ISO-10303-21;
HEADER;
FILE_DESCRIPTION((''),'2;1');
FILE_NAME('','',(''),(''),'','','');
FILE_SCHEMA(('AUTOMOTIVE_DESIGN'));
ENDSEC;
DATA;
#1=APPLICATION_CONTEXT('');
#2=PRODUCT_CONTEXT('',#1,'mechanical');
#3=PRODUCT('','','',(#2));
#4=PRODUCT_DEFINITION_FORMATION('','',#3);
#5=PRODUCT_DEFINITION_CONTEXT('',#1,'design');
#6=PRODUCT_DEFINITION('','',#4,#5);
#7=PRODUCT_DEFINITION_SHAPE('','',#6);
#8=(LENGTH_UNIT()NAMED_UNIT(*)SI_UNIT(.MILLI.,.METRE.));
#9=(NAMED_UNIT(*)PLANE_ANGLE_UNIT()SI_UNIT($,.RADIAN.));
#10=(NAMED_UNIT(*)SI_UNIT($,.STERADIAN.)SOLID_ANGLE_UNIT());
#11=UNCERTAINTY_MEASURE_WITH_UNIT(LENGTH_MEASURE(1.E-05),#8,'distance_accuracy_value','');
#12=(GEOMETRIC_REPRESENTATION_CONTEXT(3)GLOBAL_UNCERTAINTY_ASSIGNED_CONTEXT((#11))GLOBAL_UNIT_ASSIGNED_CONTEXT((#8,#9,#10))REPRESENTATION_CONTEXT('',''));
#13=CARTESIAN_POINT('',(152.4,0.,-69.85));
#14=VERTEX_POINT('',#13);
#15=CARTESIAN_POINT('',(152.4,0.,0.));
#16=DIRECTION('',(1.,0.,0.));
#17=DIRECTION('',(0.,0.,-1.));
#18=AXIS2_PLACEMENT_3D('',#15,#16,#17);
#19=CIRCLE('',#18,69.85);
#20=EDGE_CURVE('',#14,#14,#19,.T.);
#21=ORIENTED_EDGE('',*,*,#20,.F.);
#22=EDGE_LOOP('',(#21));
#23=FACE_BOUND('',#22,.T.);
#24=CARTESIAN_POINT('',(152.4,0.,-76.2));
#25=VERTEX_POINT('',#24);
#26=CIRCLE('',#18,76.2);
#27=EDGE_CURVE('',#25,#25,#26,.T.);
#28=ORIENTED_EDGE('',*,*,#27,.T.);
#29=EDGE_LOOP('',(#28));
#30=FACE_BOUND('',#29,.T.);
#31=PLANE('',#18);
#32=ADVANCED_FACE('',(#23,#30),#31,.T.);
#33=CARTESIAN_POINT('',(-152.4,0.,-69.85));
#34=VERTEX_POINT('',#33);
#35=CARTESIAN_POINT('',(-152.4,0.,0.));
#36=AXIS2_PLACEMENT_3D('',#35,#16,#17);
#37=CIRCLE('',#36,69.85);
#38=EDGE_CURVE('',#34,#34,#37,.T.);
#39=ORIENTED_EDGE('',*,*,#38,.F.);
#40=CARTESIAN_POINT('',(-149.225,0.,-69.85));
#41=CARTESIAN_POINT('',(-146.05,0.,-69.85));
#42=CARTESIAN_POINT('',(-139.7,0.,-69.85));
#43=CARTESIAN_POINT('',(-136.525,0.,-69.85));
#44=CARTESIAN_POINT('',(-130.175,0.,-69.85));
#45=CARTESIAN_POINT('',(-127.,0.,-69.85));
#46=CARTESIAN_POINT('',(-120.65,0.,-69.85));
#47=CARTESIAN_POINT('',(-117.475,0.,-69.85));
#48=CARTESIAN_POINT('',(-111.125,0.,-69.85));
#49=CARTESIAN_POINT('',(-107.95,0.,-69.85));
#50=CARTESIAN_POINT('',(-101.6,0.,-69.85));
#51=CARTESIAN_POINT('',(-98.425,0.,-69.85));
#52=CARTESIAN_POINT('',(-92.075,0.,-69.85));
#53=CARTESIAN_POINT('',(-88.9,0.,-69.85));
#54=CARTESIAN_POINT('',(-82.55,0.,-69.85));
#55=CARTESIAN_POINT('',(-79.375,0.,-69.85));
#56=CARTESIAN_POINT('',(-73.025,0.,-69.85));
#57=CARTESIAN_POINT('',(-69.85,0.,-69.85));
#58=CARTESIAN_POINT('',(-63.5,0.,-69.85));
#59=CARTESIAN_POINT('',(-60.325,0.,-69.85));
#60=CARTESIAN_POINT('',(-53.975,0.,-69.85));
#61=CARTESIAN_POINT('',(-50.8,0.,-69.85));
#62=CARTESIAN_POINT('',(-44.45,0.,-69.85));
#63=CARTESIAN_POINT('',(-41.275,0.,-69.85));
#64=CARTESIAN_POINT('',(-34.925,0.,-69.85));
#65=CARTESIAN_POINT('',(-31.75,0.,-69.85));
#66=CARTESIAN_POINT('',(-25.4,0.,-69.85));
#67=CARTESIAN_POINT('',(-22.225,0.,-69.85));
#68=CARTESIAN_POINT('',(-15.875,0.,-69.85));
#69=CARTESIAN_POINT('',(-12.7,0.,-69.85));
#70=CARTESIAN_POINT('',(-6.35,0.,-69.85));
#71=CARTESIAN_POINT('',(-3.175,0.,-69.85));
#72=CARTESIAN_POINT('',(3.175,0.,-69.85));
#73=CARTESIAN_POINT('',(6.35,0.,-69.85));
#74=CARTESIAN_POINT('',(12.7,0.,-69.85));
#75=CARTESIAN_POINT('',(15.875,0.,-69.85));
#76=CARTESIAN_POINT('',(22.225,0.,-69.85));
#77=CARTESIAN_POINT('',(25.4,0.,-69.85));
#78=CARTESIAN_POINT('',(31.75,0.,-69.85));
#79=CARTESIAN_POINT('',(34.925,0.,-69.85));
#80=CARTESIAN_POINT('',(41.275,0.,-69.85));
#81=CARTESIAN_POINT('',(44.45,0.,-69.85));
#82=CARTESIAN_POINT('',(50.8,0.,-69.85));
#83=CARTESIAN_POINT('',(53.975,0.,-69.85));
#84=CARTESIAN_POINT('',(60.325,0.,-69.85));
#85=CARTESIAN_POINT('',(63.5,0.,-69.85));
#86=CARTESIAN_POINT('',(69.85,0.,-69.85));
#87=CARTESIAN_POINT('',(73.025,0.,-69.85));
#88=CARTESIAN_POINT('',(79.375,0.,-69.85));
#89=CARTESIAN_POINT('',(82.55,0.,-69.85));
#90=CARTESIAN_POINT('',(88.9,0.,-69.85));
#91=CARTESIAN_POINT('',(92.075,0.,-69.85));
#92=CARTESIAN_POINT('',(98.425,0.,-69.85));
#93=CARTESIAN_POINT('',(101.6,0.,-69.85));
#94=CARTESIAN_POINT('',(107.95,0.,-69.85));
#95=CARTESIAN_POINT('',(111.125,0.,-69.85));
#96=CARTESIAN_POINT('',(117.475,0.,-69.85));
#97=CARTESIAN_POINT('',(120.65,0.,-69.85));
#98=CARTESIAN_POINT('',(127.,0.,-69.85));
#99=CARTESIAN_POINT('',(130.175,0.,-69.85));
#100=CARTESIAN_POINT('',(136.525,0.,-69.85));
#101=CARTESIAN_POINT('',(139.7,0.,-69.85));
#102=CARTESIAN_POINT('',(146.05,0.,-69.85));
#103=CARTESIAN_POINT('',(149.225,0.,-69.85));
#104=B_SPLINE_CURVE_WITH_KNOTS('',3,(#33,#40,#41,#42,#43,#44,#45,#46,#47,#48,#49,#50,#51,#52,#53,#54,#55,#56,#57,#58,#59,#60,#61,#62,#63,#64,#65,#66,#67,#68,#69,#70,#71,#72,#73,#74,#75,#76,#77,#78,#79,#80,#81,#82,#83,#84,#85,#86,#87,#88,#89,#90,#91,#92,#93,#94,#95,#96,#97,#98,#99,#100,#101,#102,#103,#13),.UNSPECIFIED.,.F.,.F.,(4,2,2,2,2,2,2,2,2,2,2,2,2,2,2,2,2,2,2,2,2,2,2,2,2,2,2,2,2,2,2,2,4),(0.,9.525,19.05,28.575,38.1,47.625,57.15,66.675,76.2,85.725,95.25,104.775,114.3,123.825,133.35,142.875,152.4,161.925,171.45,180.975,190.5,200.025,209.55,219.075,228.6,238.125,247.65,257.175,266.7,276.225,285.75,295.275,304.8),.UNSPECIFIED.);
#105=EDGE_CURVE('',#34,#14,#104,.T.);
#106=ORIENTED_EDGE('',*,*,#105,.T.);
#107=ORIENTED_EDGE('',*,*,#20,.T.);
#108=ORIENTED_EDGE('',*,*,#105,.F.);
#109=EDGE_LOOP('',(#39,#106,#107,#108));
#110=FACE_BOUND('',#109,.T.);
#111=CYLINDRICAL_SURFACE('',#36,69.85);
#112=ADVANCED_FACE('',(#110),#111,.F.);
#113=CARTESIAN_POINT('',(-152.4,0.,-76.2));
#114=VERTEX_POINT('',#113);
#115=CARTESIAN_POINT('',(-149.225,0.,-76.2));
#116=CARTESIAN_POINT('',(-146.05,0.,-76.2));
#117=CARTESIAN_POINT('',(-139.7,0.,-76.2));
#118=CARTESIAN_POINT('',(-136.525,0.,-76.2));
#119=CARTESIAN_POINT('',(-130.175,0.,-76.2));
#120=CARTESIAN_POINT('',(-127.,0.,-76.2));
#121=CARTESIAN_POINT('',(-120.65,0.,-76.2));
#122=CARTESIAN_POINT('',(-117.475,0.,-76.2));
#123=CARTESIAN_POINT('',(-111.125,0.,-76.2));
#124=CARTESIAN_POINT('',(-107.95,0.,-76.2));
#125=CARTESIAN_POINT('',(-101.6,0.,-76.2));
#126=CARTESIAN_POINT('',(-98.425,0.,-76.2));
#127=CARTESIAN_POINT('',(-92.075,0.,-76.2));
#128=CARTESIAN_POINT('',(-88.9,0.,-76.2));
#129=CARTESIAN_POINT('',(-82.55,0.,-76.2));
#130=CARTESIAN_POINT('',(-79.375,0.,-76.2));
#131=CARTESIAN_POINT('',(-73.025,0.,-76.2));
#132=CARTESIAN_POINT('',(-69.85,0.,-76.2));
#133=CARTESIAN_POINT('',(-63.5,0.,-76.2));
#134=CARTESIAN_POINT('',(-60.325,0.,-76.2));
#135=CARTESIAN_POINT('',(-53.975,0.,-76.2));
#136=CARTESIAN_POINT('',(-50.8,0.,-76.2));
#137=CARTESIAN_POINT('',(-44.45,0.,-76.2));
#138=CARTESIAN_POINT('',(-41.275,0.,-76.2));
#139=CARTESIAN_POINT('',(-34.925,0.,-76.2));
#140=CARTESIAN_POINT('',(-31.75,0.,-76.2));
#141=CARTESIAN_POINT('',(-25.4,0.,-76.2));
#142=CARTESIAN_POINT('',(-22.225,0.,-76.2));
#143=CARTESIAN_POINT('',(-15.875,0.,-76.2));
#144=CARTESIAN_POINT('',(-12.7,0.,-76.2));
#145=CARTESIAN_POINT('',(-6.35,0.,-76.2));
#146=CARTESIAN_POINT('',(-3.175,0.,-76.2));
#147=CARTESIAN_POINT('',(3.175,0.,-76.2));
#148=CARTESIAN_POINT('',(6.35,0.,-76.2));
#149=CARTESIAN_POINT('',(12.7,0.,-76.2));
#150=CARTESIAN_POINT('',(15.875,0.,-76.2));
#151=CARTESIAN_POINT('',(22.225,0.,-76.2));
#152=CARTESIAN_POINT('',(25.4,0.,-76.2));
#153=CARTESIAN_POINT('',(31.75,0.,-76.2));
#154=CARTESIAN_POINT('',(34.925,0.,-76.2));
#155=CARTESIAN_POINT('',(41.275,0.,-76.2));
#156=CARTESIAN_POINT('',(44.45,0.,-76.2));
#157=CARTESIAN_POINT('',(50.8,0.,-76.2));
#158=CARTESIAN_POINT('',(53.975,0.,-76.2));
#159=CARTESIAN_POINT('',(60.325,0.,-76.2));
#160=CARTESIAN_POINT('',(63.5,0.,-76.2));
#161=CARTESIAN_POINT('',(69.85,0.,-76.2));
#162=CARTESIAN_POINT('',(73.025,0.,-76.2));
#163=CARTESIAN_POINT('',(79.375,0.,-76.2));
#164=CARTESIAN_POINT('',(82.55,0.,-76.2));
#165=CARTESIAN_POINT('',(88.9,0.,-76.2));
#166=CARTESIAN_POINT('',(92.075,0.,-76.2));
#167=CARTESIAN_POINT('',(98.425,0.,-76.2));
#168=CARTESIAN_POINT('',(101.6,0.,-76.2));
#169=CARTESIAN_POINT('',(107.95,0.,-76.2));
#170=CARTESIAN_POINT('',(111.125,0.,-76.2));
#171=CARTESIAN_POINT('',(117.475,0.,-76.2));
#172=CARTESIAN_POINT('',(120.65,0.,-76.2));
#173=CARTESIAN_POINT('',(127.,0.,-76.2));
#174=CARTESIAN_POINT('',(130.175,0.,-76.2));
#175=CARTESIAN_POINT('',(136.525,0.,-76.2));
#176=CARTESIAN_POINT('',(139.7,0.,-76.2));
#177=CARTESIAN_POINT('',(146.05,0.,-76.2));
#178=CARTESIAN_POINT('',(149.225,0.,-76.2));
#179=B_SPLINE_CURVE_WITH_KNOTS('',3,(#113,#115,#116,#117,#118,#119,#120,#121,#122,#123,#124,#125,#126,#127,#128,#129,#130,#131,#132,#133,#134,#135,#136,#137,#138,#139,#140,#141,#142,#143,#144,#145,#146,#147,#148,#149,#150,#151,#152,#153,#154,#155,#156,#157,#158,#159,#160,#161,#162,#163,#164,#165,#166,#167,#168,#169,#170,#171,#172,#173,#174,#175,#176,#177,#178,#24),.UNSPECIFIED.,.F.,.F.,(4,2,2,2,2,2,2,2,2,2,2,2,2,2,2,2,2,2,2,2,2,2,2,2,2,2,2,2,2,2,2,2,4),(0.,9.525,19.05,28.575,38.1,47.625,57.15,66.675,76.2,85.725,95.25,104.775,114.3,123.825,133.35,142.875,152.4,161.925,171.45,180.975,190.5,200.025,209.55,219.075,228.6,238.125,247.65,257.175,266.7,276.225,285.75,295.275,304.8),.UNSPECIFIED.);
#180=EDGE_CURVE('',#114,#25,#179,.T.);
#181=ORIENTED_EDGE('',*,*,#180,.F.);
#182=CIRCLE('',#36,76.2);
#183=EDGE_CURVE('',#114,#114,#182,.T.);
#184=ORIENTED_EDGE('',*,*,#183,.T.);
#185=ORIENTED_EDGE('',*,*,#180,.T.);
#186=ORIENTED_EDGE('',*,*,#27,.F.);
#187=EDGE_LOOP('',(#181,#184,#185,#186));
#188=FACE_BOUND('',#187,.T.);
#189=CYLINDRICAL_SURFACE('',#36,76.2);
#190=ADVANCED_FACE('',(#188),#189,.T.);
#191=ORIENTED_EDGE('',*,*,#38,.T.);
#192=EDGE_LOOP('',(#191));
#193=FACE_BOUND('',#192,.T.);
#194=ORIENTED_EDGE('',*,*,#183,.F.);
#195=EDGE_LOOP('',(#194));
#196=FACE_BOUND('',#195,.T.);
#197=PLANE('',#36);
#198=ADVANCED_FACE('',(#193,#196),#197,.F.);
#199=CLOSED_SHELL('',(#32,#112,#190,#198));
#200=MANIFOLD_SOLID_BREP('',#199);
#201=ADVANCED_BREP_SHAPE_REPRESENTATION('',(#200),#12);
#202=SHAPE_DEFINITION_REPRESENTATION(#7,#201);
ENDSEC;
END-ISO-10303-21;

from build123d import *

# Parameters (mm, degrees)
BOSS_EXTRUDE1_DEPTH      = 152.4
BOSS_EXTRUDE1_DEPTH_BACK = 152.4
SKETCH1_R                = 76.2
SKETCH1_R_2              = 69.85


with BuildPart() as part:
    # Sketch1 → Boss-Extrude1 (new, two sides: drawn at the far end of the back side and taken through both)
    with BuildSketch(Plane(origin=(0, 0, 0), x_dir=(0, 0, -1), z_dir=(1, 0, 0)).offset(-BOSS_EXTRUDE1_DEPTH_BACK)):
        Circle(SKETCH1_R)
        Circle(SKETCH1_R_2, mode=Mode.SUBTRACT)
    extrude(amount=BOSS_EXTRUDE1_DEPTH + BOSS_EXTRUDE1_DEPTH_BACK)


solid = part.part
